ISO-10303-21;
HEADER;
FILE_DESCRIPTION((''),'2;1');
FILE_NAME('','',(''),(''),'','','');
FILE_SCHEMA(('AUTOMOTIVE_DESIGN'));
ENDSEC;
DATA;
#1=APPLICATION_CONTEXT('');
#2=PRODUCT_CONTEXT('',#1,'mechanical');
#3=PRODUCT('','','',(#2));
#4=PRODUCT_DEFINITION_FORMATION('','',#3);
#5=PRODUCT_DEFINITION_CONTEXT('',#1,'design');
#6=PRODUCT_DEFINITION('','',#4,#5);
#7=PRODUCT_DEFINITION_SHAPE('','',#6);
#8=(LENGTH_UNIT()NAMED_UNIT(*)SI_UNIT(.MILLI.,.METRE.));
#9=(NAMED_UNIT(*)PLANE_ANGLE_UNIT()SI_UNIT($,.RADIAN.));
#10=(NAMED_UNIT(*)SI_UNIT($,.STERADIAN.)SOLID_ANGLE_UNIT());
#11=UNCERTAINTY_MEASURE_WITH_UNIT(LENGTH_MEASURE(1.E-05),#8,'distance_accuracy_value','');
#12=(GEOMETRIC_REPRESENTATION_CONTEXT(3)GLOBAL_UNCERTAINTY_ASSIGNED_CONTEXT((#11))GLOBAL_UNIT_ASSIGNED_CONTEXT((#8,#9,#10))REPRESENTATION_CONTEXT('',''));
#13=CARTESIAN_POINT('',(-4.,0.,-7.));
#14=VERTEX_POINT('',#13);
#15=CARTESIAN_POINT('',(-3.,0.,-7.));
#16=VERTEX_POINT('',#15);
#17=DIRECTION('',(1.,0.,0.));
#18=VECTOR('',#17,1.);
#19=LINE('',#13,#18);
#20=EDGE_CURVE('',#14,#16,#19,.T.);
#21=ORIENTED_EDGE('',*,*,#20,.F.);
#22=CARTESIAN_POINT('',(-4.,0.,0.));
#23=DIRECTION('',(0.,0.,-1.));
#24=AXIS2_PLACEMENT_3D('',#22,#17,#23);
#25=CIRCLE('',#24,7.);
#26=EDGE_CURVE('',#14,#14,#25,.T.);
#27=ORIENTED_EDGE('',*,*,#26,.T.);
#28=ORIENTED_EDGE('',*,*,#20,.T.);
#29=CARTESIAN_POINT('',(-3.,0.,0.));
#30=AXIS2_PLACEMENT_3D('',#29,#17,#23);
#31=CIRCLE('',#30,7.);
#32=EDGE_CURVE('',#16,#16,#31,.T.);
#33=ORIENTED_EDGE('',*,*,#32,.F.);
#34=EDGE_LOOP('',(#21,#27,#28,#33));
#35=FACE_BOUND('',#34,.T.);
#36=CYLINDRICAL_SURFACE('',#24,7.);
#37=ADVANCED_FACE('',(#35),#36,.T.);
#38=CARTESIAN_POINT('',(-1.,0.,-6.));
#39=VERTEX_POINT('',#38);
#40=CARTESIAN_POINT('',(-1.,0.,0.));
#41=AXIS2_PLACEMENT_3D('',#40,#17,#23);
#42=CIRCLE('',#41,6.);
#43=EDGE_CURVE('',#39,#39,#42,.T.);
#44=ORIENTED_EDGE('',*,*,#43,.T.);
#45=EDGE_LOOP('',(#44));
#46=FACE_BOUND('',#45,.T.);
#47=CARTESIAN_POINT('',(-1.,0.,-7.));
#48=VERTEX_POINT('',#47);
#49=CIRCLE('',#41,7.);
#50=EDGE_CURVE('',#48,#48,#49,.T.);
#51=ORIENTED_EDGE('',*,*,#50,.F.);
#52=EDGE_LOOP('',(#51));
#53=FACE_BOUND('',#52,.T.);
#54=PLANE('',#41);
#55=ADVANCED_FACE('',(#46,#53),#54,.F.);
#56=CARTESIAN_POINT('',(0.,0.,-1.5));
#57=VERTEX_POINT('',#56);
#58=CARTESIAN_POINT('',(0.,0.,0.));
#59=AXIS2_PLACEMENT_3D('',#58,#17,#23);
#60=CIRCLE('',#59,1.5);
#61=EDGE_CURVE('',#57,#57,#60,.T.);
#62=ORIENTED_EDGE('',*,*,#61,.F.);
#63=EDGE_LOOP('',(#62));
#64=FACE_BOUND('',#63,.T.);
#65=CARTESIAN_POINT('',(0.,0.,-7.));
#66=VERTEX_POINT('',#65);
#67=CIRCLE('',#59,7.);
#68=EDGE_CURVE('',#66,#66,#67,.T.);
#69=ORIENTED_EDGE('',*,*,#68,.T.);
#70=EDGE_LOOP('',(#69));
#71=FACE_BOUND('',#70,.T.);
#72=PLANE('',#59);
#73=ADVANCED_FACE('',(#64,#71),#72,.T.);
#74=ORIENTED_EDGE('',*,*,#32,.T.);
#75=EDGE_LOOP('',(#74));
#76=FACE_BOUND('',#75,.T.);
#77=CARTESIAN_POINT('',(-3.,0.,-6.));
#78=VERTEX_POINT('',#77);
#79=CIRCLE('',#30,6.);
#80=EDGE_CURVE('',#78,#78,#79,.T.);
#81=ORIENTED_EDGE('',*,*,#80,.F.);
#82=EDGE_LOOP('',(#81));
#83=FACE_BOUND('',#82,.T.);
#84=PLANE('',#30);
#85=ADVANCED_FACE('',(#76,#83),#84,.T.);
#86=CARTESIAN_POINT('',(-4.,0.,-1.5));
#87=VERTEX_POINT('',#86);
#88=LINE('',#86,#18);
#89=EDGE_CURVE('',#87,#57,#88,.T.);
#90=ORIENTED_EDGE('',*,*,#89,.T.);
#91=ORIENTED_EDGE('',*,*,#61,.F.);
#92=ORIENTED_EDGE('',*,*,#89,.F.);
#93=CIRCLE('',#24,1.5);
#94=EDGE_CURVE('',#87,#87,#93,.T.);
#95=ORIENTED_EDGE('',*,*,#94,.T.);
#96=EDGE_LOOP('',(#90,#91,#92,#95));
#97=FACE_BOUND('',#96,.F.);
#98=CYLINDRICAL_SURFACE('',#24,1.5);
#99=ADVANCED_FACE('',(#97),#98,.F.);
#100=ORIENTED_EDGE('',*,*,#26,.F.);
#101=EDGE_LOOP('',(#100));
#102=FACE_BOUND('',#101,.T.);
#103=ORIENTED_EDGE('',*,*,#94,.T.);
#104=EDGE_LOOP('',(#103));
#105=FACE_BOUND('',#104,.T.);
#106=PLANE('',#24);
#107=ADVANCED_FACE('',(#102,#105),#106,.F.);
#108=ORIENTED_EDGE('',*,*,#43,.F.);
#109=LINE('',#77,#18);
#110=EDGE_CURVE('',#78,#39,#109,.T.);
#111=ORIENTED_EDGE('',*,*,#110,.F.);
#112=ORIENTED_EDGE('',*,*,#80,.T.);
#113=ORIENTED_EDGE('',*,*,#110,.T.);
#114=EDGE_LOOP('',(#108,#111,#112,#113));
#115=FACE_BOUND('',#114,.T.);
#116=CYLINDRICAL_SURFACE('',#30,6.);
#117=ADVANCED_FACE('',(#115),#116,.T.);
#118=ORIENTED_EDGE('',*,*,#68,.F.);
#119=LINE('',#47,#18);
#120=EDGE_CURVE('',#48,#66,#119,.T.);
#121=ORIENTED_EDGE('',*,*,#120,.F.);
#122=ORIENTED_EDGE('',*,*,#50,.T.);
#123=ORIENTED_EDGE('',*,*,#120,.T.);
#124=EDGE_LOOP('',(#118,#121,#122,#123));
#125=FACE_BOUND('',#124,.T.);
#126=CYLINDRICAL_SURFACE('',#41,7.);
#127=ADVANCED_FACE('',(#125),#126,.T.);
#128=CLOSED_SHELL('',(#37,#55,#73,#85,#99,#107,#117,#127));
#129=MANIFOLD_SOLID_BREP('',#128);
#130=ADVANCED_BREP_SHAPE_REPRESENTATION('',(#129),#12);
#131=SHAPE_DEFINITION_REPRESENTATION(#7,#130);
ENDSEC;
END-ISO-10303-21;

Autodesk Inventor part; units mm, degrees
ref_plane "YZ Plane" through (0, 0, 0) normal (1, 0, 0) x (0, 1, 0)
ref_plane "XZ Plane" through (0, 0, 0) normal (0, 1, 0) x (-1, 0, 0)
ref_plane "XY Plane" through (0, 0, 0) normal (0, 0, 1) x (1, 0, 0)
sketch "スケッチ1" plane through (0, 0, 0) normal (0, 1, 0) x (-1, 0, 0)
  line L0 (4, 0) -> (4, -7)
  line L1 (4, -7) -> (3, -7)
  line L2 (3, -7) -> (3, -6)
  line L3 (3, -6) -> (1, -6)
  line L4 (1, -6) -> (1, -7)
  line L5 (1, -7) -> (0, -7)
  line L6 (0, -7) -> (0, 0)
  line L7 (4.8, 0) -> (-0.8, 0) projected
  line L8 (4, -1.5) -> (0, -1.5)
  point P0 (1, -6.5)
  dimension "d0" = 1.5
  dimension "d1" = 7
  dimension "d2" = 1
  dimension "d3" = 2
  dimension "d4" = 1
revolve "回転1" add sketch "スケッチ1" angle 360 about axis through (-10, 0, 0) along (1, 0, 0) contours L0 L1 L2 L3 L4 L5 L6 L8
properties part number "Pulley_OutSide"
